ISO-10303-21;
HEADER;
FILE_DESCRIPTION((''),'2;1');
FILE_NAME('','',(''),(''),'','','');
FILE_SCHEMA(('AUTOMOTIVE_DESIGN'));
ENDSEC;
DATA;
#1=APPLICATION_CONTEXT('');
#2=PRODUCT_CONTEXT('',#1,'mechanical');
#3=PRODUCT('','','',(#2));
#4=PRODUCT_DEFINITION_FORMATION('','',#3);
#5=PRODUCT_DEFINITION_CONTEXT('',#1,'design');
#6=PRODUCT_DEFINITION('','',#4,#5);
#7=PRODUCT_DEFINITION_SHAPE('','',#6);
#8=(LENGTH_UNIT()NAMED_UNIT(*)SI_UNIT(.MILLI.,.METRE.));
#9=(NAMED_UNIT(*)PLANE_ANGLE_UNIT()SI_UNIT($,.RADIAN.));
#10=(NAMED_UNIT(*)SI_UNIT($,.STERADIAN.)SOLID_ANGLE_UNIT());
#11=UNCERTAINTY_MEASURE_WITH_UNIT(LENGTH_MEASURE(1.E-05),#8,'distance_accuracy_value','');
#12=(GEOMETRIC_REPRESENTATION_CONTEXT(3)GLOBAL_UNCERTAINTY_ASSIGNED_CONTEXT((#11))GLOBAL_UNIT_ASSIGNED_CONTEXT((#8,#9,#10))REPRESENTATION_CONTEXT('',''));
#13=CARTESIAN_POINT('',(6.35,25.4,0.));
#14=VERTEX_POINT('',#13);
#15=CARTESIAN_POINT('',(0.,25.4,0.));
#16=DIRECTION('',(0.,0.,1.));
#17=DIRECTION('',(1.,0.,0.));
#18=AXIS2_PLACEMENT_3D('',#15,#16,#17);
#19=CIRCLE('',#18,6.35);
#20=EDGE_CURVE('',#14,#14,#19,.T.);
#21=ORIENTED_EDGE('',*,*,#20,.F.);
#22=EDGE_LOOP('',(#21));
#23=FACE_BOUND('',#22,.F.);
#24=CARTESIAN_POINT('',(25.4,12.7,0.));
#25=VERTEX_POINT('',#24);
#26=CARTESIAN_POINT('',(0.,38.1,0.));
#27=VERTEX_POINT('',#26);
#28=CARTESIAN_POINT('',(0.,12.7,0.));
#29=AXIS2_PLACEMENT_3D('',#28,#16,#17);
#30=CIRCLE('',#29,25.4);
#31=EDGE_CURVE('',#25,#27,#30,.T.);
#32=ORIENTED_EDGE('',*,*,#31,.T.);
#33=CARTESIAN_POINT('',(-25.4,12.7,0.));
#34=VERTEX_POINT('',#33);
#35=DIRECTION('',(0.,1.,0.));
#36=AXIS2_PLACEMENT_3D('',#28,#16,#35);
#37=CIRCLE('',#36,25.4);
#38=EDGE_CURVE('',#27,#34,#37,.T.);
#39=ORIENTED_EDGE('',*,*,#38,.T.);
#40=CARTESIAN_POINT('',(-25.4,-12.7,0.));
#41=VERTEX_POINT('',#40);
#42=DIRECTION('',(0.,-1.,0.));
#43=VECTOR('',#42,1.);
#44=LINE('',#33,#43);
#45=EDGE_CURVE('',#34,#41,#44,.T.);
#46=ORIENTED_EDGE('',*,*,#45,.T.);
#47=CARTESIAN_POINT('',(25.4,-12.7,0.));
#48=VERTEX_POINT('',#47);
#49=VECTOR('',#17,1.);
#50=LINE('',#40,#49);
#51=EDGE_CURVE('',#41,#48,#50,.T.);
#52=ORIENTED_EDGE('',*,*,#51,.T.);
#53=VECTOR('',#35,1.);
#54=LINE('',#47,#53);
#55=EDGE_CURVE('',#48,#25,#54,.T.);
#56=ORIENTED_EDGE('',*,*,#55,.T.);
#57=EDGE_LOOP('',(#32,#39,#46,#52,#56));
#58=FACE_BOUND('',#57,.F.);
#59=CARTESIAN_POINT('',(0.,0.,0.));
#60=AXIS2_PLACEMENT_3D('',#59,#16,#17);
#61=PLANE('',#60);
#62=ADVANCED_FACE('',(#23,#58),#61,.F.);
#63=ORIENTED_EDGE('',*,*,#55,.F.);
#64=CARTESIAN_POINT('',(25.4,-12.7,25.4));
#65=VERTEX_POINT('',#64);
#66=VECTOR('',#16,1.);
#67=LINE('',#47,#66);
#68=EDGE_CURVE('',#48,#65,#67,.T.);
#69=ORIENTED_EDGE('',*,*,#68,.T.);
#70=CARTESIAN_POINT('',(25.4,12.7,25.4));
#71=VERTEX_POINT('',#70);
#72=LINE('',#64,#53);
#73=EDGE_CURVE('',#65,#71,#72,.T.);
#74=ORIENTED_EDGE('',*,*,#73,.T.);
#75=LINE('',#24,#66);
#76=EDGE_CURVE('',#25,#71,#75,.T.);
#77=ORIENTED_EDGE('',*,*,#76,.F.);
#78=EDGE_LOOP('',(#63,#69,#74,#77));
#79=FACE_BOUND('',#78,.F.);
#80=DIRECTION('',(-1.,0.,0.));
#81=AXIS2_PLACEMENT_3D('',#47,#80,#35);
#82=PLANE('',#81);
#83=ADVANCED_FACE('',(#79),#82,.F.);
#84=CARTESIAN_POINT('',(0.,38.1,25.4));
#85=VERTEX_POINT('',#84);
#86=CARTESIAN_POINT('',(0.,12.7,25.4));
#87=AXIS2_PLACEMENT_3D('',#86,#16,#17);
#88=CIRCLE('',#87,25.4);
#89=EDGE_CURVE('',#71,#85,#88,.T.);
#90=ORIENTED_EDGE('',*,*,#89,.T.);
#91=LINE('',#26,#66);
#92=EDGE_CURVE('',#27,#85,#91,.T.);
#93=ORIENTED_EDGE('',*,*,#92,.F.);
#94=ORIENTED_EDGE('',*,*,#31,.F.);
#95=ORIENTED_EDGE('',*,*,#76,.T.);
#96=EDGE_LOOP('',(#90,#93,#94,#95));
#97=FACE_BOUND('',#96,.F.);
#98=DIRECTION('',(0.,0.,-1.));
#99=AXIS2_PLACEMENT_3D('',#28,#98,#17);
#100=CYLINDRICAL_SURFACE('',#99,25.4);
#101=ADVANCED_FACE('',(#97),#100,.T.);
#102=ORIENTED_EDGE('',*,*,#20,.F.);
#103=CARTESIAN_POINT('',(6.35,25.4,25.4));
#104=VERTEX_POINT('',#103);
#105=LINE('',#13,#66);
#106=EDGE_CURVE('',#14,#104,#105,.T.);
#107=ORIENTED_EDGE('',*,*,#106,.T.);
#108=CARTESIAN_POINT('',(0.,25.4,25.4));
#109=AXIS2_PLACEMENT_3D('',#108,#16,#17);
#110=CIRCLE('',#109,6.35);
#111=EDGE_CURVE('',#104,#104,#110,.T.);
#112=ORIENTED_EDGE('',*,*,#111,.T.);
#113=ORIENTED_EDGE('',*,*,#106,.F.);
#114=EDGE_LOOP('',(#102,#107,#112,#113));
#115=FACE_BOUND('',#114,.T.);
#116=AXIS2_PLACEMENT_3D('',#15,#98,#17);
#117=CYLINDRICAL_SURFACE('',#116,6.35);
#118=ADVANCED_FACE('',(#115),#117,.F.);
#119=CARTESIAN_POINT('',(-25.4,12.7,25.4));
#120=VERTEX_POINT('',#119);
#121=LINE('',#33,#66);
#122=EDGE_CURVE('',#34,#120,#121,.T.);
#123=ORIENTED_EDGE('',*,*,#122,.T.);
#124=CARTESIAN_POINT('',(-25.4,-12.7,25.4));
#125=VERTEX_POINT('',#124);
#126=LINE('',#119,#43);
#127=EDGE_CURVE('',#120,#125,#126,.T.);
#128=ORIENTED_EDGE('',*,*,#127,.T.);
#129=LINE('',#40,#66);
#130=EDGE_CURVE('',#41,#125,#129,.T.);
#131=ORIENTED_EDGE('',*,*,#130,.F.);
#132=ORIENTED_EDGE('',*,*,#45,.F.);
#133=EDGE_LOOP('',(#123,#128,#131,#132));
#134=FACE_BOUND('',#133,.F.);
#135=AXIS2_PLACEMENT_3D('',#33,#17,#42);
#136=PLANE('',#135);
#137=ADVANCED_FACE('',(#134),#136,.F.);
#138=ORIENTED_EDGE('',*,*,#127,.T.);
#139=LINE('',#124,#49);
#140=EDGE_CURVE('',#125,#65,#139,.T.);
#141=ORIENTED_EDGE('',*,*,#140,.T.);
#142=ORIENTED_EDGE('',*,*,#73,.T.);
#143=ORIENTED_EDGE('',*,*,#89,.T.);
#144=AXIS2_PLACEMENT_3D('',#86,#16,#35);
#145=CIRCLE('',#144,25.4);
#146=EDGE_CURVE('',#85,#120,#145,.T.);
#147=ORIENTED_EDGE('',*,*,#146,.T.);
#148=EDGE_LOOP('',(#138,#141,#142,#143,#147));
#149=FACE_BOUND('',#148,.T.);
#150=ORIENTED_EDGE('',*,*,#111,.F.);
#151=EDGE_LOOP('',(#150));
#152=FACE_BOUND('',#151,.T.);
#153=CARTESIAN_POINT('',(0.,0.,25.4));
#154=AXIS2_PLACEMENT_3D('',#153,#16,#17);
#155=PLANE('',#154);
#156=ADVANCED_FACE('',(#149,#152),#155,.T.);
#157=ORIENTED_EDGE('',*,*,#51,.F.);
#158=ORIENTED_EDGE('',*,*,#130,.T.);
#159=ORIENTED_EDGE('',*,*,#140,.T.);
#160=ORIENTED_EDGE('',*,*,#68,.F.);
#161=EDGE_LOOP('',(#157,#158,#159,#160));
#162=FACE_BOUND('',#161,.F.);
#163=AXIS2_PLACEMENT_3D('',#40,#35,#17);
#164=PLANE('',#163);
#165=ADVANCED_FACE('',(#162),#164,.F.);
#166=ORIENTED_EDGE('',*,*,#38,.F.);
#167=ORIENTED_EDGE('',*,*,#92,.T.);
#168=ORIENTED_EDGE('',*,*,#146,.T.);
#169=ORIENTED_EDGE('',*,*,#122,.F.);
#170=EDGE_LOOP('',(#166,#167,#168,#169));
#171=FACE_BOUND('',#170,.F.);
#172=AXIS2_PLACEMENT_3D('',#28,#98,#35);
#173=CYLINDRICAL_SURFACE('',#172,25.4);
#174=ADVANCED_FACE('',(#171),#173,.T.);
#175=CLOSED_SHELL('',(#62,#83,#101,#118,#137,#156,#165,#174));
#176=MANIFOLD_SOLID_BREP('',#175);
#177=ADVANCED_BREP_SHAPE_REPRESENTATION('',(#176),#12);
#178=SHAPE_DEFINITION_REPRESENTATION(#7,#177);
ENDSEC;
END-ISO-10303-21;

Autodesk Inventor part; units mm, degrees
ref_plane "YZ Plane" through (0, 0, 0) normal (1, 0, 0) x (0, 1, 0)
ref_plane "XZ Plane" through (0, 0, 0) normal (0, 1, 0) x (-1, 0, 0)
ref_plane "XY Plane" through (0, 0, 0) normal (0, 0, 1) x (1, 0, 0)
sketch "Sketch1" plane through (0, 0, 0) normal (0, 0, 1) x (1, 0, 0)
  line L0 (-25.4, -12.7) -> (25.4, -12.7)
  line L1 (25.4, -12.7) -> (25.4, 12.7)
  line L2 (0, 38.1) -> (0, 38.1)
  line L3 (-25.4, 12.7) -> (-25.4, -12.7)
  circle A0 centre (0, 25.4) radius 6.35
  arc A1 (0, 38.1) -> (-25.4, 12.7) centre (0, 12.7) ccw
  arc A2 (25.4, 12.7) -> (0, 38.1) centre (0, 12.7) ccw
  point P0 (0, 0)
  point P1 (25.4, 38.1)
  point P2 (-25.4, 38.1)
  point P3 (-25.4, 0)
  point P4 (0, 38.1)
  dimension "d0" = 50.8
  dimension "d1" = 50.8
  dimension "d5" = 12.7
  dimension "d6" = 25.4
  dimension "d8" = 25.4
extrude "Extrusion2" add sketch "Sketch1" along normal blind 25.4
properties part number "Scissor Anchor"
